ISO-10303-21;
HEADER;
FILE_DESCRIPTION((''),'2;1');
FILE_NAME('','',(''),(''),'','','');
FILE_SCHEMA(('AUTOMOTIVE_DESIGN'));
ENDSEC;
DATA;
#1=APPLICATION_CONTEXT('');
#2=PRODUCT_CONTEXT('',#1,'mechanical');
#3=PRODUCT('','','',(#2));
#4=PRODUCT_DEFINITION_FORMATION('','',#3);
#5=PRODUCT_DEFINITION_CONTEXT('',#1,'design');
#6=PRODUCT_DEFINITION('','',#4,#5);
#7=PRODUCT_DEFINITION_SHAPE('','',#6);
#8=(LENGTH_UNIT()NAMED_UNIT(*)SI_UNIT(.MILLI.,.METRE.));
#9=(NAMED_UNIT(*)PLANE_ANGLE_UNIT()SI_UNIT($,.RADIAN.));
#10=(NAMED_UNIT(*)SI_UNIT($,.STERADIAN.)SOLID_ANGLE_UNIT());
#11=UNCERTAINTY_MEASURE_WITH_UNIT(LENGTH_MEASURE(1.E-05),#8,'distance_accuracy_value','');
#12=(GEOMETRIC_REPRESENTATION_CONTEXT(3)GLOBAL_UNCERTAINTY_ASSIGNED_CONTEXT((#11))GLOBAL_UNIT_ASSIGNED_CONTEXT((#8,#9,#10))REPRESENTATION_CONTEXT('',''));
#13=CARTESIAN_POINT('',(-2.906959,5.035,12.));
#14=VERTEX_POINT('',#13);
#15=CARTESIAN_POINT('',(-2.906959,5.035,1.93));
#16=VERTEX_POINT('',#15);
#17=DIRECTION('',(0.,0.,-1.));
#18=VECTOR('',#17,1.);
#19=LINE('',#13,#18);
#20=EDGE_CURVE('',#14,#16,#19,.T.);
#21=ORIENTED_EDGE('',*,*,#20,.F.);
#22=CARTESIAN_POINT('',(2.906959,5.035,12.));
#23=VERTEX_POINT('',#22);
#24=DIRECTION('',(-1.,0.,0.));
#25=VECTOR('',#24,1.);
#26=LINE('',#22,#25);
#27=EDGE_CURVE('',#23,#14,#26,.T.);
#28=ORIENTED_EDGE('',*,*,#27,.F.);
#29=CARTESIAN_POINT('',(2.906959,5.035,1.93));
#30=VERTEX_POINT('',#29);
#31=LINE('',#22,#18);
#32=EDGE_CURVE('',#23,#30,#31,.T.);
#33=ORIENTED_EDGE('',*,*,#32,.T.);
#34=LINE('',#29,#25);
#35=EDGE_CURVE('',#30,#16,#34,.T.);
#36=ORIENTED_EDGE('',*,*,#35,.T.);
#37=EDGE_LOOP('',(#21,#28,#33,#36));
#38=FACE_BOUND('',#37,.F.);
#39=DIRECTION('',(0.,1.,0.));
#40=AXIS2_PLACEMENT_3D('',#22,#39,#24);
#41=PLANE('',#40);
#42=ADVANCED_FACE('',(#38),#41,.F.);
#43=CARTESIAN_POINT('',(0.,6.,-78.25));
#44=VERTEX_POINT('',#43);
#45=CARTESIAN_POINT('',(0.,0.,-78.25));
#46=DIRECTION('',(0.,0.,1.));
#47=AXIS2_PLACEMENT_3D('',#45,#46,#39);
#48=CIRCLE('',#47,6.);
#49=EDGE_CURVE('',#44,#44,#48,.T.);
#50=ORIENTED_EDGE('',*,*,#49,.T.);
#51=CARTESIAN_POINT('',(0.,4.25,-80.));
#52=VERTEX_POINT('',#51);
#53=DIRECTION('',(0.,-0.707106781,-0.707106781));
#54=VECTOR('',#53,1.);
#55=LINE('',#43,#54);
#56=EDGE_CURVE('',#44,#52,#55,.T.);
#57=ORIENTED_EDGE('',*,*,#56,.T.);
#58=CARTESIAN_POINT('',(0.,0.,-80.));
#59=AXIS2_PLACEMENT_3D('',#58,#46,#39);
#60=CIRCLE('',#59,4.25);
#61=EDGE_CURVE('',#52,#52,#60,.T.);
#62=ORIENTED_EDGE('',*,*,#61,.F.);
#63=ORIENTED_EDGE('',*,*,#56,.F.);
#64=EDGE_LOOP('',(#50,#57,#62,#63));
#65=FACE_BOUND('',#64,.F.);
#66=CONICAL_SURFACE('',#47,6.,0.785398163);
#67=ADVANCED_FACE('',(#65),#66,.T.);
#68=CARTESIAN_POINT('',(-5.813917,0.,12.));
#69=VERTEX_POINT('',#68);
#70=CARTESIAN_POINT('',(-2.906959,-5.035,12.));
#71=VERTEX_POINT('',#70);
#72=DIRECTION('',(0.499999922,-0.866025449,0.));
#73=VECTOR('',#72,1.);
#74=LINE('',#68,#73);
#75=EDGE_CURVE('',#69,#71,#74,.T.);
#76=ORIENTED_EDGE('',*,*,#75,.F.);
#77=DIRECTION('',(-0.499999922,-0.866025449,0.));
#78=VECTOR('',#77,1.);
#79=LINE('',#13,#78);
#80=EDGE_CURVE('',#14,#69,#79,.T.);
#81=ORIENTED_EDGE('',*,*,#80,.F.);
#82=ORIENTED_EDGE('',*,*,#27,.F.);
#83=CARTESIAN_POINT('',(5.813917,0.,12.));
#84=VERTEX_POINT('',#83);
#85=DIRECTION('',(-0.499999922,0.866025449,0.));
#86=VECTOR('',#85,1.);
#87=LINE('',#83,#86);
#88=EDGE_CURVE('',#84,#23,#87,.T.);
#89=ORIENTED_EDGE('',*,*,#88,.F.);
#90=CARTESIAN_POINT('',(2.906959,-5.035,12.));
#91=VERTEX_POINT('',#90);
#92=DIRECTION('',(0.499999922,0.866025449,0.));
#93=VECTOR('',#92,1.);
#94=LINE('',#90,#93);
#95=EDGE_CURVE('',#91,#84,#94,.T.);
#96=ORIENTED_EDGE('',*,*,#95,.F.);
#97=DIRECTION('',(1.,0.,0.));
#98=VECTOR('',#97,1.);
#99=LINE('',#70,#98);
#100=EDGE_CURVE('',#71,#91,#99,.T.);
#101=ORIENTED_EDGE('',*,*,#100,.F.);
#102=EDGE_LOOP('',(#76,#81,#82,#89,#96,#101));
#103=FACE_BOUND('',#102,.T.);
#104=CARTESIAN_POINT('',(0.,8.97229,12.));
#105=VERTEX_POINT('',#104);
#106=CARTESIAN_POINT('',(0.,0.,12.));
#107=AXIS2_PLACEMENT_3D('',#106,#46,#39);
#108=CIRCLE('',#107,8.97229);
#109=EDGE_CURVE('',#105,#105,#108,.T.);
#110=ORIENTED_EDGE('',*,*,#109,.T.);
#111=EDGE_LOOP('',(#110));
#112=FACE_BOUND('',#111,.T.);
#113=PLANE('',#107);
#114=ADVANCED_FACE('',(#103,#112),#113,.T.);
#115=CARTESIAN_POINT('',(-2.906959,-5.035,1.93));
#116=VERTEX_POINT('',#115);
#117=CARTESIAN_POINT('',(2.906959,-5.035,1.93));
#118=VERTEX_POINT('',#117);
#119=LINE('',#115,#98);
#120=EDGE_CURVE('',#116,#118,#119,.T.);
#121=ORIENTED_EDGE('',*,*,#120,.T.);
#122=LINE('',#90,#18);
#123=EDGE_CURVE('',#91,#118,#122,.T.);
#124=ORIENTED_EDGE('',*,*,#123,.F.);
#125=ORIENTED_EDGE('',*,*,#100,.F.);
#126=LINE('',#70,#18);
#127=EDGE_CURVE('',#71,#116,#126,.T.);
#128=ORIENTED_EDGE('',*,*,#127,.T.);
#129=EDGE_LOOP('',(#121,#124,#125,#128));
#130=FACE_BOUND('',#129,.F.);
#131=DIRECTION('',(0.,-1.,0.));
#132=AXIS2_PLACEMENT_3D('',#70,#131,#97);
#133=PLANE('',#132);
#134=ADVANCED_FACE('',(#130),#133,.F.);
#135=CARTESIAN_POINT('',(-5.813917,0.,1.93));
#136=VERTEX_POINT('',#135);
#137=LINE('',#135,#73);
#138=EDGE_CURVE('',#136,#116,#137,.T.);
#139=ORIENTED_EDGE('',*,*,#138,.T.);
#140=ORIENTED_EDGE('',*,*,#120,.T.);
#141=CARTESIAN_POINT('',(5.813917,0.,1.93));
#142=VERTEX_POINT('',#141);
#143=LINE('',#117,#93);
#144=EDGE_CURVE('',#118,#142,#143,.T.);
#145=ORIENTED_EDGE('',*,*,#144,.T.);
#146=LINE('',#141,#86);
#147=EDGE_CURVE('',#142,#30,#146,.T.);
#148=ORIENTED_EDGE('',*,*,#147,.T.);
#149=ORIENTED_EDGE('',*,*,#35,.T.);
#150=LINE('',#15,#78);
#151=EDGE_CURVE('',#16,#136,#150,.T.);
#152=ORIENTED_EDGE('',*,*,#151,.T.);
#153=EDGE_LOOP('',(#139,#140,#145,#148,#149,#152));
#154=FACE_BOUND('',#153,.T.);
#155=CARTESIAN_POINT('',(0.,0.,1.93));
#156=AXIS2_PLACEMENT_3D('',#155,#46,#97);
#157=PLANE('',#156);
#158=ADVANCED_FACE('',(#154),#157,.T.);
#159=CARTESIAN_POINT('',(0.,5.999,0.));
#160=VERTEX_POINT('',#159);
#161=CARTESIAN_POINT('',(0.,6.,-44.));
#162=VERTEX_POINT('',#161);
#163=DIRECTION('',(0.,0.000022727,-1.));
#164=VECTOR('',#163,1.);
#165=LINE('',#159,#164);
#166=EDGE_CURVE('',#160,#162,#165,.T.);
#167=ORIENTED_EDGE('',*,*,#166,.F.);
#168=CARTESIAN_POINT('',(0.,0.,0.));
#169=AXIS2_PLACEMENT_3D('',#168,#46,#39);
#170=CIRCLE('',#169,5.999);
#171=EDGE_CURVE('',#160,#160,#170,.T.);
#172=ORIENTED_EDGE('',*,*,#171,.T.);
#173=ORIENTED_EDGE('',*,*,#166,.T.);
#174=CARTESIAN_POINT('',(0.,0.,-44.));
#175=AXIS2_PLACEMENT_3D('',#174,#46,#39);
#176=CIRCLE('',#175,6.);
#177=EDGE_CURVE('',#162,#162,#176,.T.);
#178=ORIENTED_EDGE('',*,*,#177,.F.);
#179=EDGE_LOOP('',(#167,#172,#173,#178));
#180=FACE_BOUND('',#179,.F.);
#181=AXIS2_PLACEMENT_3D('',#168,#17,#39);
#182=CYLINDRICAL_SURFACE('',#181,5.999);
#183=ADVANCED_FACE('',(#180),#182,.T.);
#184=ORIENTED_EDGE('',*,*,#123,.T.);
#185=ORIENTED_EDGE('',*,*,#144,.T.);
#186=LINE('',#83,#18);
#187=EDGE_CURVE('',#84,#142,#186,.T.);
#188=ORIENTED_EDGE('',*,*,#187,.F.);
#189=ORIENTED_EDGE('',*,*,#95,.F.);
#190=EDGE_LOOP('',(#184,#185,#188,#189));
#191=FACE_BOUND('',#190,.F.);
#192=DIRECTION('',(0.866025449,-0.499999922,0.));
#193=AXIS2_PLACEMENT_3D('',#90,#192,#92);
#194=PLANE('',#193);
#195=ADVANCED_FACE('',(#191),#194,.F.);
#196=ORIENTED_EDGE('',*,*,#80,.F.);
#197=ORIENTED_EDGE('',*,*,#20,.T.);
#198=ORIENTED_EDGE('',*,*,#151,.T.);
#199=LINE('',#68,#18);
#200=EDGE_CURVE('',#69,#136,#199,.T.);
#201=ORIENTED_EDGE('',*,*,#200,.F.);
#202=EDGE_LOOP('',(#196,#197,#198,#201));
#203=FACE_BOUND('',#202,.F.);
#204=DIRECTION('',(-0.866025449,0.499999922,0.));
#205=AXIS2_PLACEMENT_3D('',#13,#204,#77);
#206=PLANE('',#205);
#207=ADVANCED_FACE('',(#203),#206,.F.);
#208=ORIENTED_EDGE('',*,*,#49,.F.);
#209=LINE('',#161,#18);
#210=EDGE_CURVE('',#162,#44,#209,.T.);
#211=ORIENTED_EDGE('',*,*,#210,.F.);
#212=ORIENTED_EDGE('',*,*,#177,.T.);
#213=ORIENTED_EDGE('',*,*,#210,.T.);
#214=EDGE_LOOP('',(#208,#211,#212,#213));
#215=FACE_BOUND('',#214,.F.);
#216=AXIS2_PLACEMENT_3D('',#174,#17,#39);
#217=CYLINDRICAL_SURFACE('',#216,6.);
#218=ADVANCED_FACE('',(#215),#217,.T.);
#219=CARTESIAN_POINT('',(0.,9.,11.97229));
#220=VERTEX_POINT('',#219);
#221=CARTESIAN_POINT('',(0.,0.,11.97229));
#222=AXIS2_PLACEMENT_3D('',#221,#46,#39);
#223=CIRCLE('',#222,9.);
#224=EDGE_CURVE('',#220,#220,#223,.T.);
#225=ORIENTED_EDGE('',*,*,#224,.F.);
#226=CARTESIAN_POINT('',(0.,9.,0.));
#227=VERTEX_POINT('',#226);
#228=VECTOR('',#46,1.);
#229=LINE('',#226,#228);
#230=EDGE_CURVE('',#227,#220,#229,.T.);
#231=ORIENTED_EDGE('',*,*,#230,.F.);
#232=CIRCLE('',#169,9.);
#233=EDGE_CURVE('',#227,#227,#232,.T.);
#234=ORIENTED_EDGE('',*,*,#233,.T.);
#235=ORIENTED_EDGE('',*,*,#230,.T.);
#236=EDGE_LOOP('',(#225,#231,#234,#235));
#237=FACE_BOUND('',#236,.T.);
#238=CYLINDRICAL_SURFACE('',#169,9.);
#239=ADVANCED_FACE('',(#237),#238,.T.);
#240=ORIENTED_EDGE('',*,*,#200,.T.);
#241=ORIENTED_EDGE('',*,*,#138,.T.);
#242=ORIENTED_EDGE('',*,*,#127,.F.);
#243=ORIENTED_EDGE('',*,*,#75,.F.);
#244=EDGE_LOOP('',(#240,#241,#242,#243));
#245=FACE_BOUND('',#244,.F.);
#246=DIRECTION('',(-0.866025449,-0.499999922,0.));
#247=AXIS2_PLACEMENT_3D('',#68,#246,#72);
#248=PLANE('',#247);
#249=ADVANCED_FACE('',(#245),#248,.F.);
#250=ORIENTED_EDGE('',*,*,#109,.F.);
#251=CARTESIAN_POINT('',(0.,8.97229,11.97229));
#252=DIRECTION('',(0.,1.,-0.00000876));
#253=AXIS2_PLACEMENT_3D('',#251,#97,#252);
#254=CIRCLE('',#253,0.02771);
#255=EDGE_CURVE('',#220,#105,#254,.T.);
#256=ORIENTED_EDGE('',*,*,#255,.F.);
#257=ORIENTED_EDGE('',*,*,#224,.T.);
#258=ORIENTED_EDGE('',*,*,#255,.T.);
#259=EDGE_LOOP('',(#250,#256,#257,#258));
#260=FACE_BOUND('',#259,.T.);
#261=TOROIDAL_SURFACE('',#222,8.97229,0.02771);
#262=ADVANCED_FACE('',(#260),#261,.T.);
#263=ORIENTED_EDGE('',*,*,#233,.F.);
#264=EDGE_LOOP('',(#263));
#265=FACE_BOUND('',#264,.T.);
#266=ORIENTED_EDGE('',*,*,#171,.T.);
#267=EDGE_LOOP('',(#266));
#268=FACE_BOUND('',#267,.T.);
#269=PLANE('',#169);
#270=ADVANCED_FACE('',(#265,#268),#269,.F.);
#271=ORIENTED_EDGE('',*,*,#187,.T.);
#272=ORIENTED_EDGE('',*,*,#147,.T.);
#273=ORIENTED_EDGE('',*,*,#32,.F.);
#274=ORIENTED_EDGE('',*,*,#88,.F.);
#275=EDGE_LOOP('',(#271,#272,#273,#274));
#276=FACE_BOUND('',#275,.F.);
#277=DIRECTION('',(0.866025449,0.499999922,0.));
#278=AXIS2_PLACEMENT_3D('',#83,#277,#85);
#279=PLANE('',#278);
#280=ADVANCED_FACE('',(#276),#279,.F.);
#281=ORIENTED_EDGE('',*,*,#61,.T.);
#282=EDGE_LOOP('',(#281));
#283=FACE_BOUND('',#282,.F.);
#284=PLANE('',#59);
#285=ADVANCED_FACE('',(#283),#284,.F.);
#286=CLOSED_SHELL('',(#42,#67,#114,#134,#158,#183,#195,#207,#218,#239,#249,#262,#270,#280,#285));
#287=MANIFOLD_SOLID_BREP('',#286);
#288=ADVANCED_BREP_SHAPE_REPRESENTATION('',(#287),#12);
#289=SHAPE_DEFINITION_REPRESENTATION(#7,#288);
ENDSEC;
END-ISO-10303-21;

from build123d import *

# Parameters (mm, degrees)
POCKET_DEPTH = 10.07


with BuildPart() as part:
    # Sketch → Revolve (revolve)
    with BuildSketch(Plane.YZ):
        with BuildLine():
            Line((5.999, 0), (9, 0))
            Line((9, 0), (9, 11.97229))
            ThreePointArc((9, 11.97229), (8.991884, 11.991884), (8.97229, 12))
            Line((8.97229, 12), (0, 12))
            Line((0, -80), (0, 12))
            Line((4.25, -80), (0, -80))
            Line((6, -78.25), (4.25, -80))
            Line((6, -44), (6, -78.25))
            Line((5.999, 0), (6, -44))
        make_face()
    revolve(axis=Axis((0, 0, 0), (0, 0, 1)))

    # Sketch001 → Pocket (cut)
    with BuildSketch(Plane.XY.offset(12)):
        Polygon((5.813917, 0), (2.906959, 5.035), (-2.906959, 5.035), (-5.813917, 0), (-2.906959, -5.035), (2.906959, -5.035), align=None)
    extrude(amount=-POCKET_DEPTH, mode=Mode.SUBTRACT)


solid = part.part
